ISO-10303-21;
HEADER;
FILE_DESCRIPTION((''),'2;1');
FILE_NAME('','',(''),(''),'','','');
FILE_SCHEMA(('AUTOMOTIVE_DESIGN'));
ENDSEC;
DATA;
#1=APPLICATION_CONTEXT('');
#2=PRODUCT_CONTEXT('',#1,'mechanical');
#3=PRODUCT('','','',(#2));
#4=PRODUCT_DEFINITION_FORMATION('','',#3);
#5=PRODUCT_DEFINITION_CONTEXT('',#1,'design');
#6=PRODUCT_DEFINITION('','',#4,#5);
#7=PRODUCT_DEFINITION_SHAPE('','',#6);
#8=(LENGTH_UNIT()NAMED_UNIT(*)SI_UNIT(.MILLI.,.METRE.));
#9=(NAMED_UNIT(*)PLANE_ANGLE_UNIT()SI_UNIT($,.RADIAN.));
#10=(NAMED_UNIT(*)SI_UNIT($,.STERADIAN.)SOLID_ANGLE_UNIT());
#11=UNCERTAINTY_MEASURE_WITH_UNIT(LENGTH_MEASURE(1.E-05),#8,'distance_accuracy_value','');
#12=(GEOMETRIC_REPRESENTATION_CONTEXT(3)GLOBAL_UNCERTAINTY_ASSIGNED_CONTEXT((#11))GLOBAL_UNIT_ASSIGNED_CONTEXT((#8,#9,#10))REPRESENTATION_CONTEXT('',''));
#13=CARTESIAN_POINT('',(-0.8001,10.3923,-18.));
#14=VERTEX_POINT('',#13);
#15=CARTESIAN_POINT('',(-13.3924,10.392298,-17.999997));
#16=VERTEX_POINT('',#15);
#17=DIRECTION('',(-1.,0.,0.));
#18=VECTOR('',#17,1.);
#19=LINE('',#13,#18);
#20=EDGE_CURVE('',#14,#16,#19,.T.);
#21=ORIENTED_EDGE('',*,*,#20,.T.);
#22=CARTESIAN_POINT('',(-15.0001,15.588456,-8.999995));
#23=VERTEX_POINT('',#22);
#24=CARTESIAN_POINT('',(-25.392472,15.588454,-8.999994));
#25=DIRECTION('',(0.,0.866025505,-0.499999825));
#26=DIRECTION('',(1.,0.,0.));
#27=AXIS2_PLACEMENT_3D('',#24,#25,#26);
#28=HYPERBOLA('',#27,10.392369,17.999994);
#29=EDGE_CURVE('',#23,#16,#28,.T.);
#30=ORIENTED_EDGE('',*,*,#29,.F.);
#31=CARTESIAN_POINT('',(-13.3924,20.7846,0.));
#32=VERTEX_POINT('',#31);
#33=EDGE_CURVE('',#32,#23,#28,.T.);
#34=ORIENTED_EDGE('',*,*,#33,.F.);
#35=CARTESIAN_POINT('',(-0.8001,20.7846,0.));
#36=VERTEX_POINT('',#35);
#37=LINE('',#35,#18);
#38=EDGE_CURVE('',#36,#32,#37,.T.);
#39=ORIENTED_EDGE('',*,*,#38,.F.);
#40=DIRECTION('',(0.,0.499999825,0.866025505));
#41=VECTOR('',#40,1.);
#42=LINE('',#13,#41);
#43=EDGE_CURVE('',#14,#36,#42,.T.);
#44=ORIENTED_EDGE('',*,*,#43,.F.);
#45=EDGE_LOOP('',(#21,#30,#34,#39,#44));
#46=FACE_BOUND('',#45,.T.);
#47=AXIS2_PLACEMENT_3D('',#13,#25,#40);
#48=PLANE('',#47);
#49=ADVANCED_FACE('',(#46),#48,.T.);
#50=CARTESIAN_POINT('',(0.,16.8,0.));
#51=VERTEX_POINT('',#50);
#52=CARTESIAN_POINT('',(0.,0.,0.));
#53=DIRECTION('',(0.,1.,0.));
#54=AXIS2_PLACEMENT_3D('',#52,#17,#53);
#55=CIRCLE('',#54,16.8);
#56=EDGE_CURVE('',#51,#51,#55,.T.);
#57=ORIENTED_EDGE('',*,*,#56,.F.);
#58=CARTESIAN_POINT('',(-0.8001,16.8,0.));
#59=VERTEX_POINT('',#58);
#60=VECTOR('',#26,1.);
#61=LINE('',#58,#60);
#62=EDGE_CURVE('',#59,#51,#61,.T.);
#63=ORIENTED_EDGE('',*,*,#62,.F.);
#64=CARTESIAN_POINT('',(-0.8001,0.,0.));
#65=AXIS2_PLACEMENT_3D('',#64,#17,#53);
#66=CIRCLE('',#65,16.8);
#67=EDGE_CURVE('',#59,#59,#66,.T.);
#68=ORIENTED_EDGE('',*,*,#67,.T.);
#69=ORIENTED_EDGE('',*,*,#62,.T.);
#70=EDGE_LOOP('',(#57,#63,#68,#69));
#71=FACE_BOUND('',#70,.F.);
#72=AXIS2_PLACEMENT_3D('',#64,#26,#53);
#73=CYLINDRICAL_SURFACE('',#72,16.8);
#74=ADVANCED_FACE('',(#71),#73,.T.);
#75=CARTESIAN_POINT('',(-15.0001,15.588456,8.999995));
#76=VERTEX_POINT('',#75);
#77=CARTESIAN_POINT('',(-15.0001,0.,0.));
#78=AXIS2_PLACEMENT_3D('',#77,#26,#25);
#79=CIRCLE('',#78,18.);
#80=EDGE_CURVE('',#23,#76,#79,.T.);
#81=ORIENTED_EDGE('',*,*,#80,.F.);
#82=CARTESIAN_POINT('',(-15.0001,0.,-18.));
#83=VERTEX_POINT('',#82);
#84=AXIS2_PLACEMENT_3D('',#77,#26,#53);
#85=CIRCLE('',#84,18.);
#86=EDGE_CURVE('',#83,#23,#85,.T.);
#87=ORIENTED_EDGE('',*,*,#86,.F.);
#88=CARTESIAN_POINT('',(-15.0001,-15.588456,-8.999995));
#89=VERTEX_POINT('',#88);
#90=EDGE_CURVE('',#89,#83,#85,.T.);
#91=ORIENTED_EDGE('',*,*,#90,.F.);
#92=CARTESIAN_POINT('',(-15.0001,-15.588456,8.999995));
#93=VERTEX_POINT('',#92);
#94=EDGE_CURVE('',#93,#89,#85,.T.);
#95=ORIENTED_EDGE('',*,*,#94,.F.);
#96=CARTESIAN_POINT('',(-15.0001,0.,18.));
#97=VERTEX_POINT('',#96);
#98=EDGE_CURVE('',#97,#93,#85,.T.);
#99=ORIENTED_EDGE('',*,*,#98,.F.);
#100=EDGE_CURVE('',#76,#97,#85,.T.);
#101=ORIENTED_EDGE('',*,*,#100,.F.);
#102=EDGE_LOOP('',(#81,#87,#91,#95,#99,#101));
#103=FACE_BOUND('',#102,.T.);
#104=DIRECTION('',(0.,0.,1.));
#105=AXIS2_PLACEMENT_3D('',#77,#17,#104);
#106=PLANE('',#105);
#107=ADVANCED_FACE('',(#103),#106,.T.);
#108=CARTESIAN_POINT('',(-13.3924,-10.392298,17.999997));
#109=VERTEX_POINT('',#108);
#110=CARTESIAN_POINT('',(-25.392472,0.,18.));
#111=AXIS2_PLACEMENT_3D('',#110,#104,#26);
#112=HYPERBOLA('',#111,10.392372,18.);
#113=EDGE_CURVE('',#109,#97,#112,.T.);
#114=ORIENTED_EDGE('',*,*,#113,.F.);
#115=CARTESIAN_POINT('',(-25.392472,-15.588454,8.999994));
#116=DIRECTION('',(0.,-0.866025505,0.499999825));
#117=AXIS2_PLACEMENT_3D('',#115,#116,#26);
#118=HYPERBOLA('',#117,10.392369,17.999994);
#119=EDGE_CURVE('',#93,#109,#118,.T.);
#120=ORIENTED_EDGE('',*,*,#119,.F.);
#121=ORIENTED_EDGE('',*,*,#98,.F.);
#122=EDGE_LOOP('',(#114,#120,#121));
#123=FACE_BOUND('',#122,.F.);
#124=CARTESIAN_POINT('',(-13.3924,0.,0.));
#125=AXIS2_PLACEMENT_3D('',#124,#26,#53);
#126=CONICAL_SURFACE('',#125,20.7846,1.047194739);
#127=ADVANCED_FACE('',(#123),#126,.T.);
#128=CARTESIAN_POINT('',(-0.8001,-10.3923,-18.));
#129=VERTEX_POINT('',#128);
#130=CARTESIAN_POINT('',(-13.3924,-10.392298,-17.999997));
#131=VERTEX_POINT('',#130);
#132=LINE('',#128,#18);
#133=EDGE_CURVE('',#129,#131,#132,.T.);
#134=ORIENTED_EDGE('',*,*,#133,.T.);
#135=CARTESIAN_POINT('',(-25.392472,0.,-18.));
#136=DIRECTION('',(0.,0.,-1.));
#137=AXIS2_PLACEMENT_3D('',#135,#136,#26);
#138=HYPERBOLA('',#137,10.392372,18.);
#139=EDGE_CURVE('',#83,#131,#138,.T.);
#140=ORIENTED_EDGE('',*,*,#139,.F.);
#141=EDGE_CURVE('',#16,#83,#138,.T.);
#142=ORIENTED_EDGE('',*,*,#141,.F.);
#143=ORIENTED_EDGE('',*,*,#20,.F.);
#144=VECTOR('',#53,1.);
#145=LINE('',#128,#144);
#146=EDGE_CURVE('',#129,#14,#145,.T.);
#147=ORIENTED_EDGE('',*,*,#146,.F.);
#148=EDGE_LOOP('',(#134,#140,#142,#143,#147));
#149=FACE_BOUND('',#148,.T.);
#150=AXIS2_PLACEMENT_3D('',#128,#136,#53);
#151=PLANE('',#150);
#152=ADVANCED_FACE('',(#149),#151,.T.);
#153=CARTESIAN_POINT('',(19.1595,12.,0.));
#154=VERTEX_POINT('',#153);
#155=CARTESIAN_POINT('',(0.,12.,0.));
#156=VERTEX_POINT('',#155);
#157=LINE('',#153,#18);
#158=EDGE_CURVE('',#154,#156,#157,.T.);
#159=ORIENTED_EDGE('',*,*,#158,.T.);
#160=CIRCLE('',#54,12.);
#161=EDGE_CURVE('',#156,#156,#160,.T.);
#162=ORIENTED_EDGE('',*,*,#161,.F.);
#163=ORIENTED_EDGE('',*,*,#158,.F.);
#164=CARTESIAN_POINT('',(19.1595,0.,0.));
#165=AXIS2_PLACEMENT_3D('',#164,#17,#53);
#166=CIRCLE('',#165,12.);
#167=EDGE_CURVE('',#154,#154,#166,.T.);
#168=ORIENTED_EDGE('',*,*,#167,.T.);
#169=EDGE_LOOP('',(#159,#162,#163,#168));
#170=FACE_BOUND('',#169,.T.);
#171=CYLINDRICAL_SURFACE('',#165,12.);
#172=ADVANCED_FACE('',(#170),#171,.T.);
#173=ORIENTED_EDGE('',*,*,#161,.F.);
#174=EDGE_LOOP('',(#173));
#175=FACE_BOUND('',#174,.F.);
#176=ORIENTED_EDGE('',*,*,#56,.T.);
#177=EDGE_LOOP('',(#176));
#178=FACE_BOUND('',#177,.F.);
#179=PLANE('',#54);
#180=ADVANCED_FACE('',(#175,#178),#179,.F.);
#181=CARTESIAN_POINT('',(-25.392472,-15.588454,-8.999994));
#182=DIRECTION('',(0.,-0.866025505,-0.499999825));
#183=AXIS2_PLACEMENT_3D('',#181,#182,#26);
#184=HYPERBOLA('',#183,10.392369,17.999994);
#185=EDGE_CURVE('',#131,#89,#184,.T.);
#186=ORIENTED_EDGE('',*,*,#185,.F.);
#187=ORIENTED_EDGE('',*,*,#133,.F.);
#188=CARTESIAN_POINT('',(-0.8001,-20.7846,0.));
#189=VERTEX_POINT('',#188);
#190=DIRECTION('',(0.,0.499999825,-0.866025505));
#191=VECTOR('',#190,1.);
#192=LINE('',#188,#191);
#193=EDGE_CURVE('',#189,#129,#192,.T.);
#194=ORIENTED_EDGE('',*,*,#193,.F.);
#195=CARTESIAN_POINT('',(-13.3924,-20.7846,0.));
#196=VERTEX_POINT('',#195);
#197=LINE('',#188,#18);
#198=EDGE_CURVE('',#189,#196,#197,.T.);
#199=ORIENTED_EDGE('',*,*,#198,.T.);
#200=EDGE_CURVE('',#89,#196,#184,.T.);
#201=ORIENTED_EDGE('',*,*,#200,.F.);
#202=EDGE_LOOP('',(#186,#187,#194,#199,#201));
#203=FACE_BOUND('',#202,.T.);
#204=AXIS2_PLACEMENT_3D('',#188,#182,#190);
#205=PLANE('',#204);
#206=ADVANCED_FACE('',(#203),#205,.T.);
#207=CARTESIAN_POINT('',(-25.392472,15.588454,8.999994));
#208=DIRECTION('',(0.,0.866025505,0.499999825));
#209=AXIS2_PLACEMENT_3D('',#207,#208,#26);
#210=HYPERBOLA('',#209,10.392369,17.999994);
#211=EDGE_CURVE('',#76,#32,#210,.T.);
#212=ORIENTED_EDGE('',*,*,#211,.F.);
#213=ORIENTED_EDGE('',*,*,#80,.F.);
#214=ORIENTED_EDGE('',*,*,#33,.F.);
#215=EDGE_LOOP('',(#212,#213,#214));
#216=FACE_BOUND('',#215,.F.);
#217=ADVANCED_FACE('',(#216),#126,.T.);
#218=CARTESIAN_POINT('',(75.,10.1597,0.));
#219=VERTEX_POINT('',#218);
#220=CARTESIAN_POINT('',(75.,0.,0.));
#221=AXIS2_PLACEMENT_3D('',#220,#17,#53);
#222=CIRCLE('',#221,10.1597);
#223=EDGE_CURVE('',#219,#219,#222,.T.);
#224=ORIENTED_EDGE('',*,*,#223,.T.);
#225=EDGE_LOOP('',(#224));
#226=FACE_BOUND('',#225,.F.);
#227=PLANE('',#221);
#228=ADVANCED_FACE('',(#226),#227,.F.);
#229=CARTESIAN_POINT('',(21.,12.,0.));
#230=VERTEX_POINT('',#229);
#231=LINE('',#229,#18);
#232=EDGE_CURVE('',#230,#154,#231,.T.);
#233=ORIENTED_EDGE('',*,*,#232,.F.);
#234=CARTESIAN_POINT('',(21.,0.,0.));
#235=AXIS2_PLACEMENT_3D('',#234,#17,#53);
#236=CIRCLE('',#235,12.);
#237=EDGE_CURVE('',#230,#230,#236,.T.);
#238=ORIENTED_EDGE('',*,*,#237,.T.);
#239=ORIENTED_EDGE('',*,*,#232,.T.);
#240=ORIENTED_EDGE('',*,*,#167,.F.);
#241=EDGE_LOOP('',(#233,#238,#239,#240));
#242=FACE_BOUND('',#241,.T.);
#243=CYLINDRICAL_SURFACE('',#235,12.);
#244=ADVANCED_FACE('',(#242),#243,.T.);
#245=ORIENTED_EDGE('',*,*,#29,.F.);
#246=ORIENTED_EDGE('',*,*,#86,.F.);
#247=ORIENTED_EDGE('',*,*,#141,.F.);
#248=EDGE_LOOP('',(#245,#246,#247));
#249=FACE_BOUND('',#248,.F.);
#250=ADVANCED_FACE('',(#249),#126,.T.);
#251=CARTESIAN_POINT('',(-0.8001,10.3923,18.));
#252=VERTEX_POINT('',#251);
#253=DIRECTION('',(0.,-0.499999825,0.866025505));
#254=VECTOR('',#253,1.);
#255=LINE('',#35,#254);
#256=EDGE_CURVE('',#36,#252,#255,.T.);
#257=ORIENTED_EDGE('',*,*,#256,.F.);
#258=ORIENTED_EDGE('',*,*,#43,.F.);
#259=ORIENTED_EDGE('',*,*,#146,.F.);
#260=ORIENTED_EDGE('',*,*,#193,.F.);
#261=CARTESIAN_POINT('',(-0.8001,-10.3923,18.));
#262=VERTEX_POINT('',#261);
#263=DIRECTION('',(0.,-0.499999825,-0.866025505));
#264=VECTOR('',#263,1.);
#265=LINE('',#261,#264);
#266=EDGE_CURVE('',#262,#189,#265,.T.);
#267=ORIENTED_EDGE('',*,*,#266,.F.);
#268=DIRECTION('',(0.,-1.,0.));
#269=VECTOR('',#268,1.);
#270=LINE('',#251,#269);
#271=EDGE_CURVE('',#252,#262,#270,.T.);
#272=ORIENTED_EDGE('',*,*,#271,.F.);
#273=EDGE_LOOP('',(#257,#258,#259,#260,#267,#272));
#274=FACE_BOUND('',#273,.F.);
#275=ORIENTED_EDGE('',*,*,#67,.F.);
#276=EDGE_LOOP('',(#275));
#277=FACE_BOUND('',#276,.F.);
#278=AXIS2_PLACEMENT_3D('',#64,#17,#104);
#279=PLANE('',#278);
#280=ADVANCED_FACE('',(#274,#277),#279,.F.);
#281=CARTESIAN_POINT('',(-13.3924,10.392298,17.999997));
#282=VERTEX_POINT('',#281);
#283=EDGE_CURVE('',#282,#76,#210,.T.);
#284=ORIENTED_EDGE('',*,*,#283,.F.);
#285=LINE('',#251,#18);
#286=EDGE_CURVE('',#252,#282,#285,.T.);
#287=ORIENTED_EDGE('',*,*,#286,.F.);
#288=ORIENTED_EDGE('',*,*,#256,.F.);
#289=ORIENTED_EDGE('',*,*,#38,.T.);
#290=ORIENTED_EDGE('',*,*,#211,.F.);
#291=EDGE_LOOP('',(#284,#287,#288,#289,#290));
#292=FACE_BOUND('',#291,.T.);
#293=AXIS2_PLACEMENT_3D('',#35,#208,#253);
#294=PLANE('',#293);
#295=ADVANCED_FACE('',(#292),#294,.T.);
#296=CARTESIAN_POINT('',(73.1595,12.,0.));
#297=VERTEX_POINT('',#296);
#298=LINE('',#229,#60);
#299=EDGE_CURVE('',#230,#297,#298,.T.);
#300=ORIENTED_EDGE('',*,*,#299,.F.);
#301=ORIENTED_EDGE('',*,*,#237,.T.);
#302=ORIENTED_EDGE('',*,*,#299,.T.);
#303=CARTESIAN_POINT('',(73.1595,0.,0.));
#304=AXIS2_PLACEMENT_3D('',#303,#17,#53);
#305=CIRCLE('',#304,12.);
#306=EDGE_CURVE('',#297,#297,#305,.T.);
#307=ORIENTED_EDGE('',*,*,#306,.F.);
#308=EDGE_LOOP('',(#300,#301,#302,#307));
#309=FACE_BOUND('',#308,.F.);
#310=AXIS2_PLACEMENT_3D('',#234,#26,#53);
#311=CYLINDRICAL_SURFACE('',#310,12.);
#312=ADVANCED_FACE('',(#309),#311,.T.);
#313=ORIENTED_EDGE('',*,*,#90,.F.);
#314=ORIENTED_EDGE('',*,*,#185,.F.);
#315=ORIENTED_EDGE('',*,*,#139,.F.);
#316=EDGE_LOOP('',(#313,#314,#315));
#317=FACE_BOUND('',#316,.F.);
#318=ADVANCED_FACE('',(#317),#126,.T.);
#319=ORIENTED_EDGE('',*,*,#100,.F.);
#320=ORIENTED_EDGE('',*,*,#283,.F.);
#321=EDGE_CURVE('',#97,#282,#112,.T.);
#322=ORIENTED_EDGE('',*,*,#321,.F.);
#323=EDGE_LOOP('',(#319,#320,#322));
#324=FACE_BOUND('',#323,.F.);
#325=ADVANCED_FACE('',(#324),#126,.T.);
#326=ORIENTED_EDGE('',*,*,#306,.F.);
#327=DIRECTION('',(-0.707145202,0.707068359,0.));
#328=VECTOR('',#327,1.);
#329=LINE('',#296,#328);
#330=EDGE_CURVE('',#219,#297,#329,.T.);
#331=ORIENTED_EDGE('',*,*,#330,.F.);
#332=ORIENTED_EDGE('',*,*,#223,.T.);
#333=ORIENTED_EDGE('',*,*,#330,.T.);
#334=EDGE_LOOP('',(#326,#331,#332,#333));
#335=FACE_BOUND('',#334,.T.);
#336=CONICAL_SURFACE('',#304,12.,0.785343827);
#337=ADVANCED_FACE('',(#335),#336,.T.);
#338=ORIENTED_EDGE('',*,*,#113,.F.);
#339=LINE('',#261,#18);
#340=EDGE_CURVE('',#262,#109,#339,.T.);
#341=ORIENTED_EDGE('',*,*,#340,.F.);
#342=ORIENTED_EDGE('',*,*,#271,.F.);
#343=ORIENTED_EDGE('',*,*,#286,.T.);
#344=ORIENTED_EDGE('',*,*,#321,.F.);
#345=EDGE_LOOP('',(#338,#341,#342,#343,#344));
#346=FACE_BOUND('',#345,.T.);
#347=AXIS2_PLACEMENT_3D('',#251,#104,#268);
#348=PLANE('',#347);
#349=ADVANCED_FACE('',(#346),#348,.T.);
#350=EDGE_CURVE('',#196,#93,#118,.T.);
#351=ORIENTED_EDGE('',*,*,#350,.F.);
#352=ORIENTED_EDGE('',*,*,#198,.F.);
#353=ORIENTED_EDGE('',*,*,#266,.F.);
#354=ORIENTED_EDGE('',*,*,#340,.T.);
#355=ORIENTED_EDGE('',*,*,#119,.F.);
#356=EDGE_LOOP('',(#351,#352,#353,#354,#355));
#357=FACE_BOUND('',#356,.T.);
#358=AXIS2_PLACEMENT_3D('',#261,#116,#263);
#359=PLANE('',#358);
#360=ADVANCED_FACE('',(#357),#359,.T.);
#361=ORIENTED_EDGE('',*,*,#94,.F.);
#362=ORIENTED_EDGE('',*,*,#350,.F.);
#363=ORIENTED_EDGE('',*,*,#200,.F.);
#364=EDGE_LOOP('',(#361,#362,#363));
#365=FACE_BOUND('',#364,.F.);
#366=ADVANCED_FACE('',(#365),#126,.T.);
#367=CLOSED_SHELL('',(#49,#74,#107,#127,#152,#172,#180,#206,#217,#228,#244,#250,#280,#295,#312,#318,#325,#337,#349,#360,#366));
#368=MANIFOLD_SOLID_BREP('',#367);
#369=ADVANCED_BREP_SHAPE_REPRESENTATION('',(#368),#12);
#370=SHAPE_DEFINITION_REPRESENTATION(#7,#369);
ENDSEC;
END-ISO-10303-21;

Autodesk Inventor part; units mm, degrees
ref_plane "YZ Plane" through (0, 0, 0) normal (1, 0, 0) x (0, 1, 0)
ref_plane "XZ Plane" through (0, 0, 0) normal (0, 1, 0) x (-1, 0, 0)
sketch "Sketch1" plane through (0, 0, 0) normal (0, 0, 1) x (1, 0, 0)
  line L0 (0, 16.8) -> (0, 12)
  line L1 (21, 12) -> (75, 12)
  line L2 (75, 12) -> (75, 0)
  line L3 (75, 0) -> (-0.8001, 0)
  line L4 (-15.9601, 0) -> (90.16, 0) projected
  line L5 (-0.8001, 0) -> (-0.8001, 16.8)
  line L6 (-0.8001, 16.8) -> (0, 16.8)
  line L7 (21, 12) -> (19.1595, 12)
  line L8 (19.1595, 12) -> (0, 12)
  line L9 (0, -3.36) -> (0, 20.16) projected
  dimension "d0" = 75
  dimension "d1" = 54
  dimension "d2" = 24
  dimension "d9" = 0.8001
  dimension "d10" = 33.6
  dimension "d13" = 1.8404
  dimension "d14" = 24
revolve "Body" add sketch "Sketch1" angle 360 about axis through (75, 0, 0) along (-1, 0, 0)
sketch "Sketch2" plane through (-0.8001, 0, 0) normal (-1, 0, 0) x (0, 0, 1)
  line L0 (0, 20.7846) -> (18, 10.3923)
  line L1 (18, 10.3923) -> (18, -10.3923)
  line L2 (18, -10.3923) -> (0, -20.7846)
  line L3 (0, -20.7846) -> (-18, -10.3923)
  line L4 (-18, -10.3923) -> (-18, 10.3923)
  line L5 (-18, 10.3923) -> (0, 20.7846)
  point P0 (0, 0)
  point P1 (0, 0)
  dimension "d11" = 36
extrude "Head" add sketch "Sketch2" along normal blind 14.2
sketch "Sketch4" plane through (0, 0, 0) normal (0, 0, 1) x (1, 0, 0)
  line L0 (-15.0001, 18) -> (-15.0001, 20.7846)
  line L1 (-15.0001, 20.7846) -> (-13.3924, 20.7846)
  line L2 (-13.3924, 20.7846) -> (-15.0001, 18)
  line L3 (-17.8401, 0) -> (2.0399, 0) projected
  line L4 (-0.8001, 20.7846) -> (-15.0001, 20.7846) projected
  line L5 (-15.0001, 10.3923) -> (-15.0001, 20.7846) projected
  dimension "d5" = 30
  dimension "d19" = 36
revolve "Chamfer1" cut sketch "Sketch4" angle 360 about axis through (-10, 0, 0) along (1, 0, 0)
thread "Thread" size "M24x3" class "6g" standard "ISO Metric profile" length 54
chamfer "Chamfer2" distance 1.8403 distance2 1.8405 1 edges at (75, -12, 0) measured on face at (75, -4.6056, 1.5967)
ref_plane "Work Plane1" through (1.525, 0, 0) normal (0, 0, 1) x (1, 0, 0)
equation "\"d0\" = NLG"
equation "\"d1\" = GEL"
equation "\"d2\" = GD"
equation "\"d10\" = SD2"
equation "\"d14\" = BDM"
equation "\"d11\" = SW"
equation "\"d3\" = KOH - SD"
equation "\"d5\" = ANG1"
equation "\"d19\" = SW0"
equation "\"d15\" = GEL"
equation "\"d6\" = -0.5 * SPD + 0.5 * GD"
equation "\"NLG\" = 75"
equation "\"GD\" = NND"
equation "\"BDM\" = NND"
equation "\"KOH\" = 15"
equation "\"GEL\" = 54"
equation "\"SW\" = 36"
equation "\"SW0\" = SW"
equation "\"SPD\" = NND - 1.2269 * PTC"
equation "\"SD2\" = 33.6"
equation "\"SD\" = 0.8"
equation "\"ANG1\" = 30deg"
equation "\"GAL\" = 0.61345 * PTC"
equation "\"GUL\" = 0.61345 * PTC"
equation "\"RR\" = 0.8"
equation "\"WFT\" = SD"
equation "\"GD1\" = THREADDIA - 1.2269 * PTC"
equation "\"THREADDIA\" = 24"
equation "\"SDH\" = 33.6"
equation "\"TOA\" = 30deg"
equation "\"FAWI\" = 45deg"
equation "\"PTC\" = 3"
equation "\"NND\" = 24"
equation "\"E0\" = 1.155 * SW"
properties part number "Bolt M24x75-8.8-A PN-85/M-82101" material "Steel, Mild"
